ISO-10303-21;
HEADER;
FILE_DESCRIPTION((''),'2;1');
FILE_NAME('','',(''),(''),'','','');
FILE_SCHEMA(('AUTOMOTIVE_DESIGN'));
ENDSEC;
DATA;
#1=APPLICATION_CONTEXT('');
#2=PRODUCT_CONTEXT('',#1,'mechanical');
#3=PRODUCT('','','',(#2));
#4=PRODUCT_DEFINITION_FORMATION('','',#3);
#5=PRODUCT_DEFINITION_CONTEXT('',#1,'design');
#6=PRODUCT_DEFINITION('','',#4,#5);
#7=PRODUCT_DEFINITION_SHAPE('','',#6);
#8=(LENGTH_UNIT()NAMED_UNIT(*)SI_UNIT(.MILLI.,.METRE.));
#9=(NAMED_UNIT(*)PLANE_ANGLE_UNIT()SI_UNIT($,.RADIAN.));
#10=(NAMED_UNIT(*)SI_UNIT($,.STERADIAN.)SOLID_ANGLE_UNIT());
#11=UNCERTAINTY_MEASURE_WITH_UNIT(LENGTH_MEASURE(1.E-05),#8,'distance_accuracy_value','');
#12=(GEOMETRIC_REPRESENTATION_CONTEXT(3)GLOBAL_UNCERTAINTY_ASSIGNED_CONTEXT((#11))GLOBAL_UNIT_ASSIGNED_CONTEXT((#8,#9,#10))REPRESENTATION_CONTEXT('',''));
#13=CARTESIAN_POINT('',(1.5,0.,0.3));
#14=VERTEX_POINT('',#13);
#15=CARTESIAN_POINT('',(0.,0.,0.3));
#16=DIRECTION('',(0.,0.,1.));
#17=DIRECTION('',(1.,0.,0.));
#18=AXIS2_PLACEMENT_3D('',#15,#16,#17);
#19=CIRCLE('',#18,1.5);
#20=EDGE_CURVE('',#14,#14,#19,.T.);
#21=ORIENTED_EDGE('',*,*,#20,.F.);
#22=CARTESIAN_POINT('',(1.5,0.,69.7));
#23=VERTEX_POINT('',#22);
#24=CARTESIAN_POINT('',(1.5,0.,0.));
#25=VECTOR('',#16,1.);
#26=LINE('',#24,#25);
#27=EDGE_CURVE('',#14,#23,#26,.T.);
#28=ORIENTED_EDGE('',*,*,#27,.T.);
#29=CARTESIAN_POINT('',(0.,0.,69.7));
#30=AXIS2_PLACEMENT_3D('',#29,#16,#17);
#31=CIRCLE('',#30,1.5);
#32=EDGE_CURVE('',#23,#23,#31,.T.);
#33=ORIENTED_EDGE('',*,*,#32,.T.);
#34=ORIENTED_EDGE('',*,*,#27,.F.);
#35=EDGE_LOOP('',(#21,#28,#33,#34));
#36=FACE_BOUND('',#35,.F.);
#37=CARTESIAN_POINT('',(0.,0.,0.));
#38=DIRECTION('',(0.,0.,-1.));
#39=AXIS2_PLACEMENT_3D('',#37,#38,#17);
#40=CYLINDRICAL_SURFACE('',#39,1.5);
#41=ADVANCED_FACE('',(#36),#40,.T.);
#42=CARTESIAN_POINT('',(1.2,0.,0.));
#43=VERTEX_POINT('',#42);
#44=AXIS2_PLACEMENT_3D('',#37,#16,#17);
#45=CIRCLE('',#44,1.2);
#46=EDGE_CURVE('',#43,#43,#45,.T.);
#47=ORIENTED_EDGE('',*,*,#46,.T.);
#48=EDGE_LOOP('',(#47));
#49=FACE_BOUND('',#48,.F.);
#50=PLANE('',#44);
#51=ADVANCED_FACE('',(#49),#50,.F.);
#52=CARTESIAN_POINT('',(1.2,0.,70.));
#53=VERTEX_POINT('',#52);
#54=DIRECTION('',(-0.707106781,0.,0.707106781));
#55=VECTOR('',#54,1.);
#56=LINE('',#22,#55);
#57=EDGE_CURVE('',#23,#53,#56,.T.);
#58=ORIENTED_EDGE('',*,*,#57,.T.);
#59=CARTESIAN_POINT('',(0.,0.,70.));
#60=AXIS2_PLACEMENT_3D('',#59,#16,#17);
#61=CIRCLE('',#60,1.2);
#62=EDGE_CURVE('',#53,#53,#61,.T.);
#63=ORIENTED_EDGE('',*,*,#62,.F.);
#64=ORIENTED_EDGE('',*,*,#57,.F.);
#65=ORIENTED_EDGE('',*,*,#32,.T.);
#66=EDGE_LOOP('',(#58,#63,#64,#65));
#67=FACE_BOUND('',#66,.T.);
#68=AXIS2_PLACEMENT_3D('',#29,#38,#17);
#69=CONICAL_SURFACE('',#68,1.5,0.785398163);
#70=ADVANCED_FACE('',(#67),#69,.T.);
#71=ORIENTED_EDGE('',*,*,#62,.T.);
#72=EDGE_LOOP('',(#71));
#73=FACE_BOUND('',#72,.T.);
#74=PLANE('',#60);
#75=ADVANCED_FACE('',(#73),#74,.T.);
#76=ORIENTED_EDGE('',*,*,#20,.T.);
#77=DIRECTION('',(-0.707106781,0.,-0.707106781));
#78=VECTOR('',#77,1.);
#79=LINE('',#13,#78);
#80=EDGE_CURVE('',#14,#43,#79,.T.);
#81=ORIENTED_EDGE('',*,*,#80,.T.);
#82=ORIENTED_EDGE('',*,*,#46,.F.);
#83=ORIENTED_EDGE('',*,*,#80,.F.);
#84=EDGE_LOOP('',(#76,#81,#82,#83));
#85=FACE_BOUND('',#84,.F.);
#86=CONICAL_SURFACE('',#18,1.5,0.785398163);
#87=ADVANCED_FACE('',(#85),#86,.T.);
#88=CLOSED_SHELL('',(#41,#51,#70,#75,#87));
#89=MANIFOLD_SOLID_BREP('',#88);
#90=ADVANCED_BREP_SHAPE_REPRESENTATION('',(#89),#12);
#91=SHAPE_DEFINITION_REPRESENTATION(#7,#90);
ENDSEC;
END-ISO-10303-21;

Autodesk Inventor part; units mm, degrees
ref_plane "YZ Plane" through (0, 0, 0) normal (1, 0, 0) x (0, 1, 0)
ref_plane "XZ Plane" through (0, 0, 0) normal (0, 1, 0) x (-1, 0, 0)
ref_plane "XY Plane" through (0, 0, 0) normal (0, 0, 1) x (1, 0, 0)
sketch "Sketch1" plane through (0, 0, 0) normal (0, 0, 1) x (1, 0, 0)
  circle A0 centre (0, 0) radius 1.5
  dimension "d0" = 3
extrude "Extrusion1" add sketch "Sketch1" along normal blind 70
chamfer "Chamfer1" distance 0.3 angle 45 2 edges at (-1.5, 0, 70) (-1.5, 0, 0)
thread "Thread1" size "M3x0.5" class "6g" standard "ISO Metric profile" full length
properties part number "P113"
